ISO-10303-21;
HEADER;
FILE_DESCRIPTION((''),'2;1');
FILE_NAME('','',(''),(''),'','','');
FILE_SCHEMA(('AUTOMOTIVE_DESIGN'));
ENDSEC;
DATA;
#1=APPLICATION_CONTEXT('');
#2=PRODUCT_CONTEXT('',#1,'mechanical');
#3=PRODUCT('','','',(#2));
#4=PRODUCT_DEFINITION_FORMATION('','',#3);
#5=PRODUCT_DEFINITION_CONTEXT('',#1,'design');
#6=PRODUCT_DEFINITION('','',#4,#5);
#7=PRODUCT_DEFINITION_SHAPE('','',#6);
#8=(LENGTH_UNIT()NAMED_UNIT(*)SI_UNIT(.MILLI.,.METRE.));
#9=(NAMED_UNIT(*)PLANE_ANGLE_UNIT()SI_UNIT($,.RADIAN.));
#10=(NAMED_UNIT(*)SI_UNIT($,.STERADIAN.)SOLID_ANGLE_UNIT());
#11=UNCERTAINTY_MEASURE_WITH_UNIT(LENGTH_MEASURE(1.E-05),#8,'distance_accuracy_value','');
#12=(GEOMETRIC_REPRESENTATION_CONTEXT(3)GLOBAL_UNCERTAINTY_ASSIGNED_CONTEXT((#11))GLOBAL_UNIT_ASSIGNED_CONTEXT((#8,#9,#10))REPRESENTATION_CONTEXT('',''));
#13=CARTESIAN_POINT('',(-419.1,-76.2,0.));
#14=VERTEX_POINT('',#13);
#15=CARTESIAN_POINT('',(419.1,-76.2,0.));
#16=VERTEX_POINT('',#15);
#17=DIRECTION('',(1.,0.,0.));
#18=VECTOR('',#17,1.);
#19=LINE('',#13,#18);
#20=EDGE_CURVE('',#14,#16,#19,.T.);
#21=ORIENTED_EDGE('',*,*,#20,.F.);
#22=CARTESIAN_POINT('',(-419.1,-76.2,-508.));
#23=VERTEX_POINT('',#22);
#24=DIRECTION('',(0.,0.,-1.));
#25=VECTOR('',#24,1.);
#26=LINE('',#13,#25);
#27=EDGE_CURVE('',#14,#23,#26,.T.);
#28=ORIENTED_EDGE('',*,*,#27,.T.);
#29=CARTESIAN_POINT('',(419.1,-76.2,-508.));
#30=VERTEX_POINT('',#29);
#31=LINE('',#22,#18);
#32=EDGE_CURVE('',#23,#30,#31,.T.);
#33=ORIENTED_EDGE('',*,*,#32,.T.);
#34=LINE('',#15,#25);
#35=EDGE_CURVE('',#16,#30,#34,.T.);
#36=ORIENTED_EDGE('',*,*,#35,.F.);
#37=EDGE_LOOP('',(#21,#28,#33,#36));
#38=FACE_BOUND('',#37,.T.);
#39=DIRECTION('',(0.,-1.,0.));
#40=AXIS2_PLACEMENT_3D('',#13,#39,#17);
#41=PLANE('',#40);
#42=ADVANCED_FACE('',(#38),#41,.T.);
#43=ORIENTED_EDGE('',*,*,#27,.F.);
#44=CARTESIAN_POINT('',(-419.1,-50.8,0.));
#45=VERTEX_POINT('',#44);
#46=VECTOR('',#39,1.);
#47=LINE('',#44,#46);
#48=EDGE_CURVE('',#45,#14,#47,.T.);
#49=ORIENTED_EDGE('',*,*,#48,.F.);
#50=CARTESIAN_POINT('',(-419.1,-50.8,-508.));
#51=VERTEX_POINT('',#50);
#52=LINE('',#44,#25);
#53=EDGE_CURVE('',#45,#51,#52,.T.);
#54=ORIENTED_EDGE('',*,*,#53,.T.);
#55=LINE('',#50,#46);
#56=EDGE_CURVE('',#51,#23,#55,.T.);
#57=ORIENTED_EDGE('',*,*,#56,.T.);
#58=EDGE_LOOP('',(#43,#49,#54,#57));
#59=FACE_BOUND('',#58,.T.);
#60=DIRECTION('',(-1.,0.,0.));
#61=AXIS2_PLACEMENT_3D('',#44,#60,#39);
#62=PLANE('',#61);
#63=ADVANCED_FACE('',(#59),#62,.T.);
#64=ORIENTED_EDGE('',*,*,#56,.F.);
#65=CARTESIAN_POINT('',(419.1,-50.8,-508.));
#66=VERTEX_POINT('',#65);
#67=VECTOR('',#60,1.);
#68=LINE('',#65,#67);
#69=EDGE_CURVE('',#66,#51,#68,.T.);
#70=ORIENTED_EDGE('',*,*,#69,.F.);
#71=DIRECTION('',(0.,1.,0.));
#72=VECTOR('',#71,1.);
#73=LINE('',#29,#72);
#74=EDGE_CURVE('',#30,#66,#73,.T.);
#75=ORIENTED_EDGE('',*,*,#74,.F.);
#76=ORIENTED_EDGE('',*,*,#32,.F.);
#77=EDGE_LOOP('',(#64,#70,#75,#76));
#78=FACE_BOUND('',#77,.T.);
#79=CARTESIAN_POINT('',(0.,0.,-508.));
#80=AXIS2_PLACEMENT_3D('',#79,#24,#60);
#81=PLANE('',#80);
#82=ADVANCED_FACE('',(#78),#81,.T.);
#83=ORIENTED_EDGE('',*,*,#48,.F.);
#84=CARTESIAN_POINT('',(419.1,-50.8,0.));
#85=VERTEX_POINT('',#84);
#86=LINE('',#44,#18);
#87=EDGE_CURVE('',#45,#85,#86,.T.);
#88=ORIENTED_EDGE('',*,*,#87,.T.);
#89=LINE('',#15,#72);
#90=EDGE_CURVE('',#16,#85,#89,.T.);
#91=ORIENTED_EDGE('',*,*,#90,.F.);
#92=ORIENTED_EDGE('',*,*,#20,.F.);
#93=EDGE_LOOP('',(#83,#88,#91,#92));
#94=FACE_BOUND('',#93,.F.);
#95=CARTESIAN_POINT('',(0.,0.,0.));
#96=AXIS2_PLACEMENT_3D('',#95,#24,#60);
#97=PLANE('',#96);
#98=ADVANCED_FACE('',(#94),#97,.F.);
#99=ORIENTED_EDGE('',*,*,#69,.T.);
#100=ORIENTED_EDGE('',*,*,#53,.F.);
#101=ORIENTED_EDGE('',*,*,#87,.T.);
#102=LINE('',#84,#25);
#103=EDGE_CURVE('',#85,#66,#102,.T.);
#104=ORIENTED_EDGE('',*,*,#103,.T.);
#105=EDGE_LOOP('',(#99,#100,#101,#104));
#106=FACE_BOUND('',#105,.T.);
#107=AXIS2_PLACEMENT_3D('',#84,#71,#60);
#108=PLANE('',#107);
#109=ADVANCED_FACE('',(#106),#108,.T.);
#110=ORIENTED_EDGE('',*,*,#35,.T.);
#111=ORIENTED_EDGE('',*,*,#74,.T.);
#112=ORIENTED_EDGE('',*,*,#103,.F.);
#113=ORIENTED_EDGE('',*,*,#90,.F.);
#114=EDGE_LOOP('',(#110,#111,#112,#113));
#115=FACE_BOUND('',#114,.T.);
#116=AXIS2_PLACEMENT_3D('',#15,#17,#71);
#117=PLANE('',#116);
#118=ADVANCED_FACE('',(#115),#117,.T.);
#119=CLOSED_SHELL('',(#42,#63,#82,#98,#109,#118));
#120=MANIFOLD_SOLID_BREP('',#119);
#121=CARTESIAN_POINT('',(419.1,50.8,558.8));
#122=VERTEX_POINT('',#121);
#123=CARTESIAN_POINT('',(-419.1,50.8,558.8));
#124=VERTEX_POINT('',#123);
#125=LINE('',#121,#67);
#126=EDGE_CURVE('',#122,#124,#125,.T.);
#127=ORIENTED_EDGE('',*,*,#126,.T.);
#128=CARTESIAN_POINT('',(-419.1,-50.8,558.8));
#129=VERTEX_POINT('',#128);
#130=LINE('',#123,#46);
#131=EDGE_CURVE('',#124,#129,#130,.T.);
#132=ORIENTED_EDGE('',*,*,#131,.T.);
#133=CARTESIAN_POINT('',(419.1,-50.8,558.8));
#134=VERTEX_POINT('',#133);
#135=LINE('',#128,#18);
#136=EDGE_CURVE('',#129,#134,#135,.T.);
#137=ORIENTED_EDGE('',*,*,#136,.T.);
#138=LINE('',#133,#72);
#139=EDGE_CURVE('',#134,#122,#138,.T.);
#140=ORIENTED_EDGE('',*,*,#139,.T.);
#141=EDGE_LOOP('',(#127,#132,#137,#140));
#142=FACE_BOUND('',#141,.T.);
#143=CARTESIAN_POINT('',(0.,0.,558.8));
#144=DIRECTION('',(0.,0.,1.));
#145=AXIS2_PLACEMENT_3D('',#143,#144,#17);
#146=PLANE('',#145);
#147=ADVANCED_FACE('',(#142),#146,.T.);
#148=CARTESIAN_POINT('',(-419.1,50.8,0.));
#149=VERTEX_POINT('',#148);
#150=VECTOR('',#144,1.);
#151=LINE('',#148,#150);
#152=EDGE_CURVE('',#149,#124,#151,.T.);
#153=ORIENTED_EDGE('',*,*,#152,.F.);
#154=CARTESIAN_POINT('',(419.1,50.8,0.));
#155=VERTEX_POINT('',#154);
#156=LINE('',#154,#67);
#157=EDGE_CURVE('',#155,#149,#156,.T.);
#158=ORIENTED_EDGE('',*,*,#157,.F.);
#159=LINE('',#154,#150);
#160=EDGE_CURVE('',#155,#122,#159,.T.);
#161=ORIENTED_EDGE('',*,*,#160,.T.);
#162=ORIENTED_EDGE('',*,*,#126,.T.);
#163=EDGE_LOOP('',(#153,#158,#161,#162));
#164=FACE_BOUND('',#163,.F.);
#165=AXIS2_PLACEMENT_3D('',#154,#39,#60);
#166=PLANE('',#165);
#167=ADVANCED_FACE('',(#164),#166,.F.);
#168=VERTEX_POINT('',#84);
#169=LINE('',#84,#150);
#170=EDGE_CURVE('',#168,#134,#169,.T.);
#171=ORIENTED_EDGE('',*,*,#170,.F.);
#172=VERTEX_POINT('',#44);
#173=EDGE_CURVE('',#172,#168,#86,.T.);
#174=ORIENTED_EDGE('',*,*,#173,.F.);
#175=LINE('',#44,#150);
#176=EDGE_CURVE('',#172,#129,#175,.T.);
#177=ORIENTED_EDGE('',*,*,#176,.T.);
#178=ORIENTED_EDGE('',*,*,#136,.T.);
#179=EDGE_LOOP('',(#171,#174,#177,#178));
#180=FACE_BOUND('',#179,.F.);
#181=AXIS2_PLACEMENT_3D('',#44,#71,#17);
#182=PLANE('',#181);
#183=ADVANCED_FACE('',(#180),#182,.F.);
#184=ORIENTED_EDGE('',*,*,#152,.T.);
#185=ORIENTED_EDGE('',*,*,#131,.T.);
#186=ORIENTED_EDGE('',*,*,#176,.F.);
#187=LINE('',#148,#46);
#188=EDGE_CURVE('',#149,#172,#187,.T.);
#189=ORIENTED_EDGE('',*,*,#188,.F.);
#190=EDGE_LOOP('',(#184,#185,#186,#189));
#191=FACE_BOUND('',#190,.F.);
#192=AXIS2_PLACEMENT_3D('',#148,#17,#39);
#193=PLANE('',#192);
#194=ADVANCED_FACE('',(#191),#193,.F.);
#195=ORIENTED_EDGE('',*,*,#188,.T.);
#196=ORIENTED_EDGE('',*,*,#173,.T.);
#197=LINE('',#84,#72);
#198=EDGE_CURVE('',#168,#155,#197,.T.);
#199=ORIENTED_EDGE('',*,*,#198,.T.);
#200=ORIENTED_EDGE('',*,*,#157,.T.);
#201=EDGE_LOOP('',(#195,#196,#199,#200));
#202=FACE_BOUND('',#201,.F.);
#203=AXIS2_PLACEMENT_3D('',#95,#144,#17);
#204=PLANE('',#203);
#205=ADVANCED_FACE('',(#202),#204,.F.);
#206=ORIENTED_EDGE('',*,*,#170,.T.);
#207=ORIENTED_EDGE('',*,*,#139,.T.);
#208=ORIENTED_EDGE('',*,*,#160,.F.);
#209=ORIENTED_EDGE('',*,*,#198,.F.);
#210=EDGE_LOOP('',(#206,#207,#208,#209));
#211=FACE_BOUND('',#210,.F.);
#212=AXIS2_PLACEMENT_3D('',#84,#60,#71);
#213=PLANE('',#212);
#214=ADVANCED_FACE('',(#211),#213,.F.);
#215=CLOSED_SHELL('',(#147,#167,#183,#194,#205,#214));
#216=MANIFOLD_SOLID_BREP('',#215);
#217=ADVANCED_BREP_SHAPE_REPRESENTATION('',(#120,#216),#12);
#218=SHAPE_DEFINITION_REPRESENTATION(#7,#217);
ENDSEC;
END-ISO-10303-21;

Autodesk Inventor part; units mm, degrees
ref_plane "YZ Plane" through (0, 0, 0) normal (1, 0, 0) x (0, 1, 0)
ref_plane "XZ Plane" through (0, 0, 0) normal (0, 1, 0) x (-1, 0, 0)
ref_plane "XY Plane" through (0, 0, 0) normal (0, 0, 1) x (1, 0, 0)
sketch "Sketch1" plane through (0, 0, 0) normal (0, 0, 1) x (1, 0, 0)
  line L0 (-419.1, -50.8) -> (419.1, -50.8)
  line L1 (419.1, -50.8) -> (419.1, 50.8)
  line L2 (419.1, 50.8) -> (-419.1, 50.8)
  line L3 (-419.1, 50.8) -> (-419.1, -50.8)
  line L4 (-419.1, -50.8) -> (419.1, 50.8) construction
  line L5 (419.1, -50.8) -> (-419.1, 50.8) construction
  point P0 (0, 0)
  dimension "d0" = 838.2
  dimension "d1" = 101.6
extrude "Extrusion1" add sketch "Sketch1" along normal blind 558.8
sketch "Sketch3" plane through (0, 0, 0) normal (0, 0, -1) x (-1, 0, 0)
  line L0 (-419.1, -50.8) -> (419.1, -50.8)
  line L1 (419.1, -50.8) -> (419.1, -76.2)
  line L2 (419.1, -76.2) -> (-419.1, -76.2)
  line L3 (-419.1, -76.2) -> (-419.1, -50.8)
  point P0 (0, 0)
  dimension "d8" = 838.2
  dimension "d9" = 25.4
extrude "Extrusion3" add sketch "Sketch3" along normal blind 508
properties part number "Robot sized box"
